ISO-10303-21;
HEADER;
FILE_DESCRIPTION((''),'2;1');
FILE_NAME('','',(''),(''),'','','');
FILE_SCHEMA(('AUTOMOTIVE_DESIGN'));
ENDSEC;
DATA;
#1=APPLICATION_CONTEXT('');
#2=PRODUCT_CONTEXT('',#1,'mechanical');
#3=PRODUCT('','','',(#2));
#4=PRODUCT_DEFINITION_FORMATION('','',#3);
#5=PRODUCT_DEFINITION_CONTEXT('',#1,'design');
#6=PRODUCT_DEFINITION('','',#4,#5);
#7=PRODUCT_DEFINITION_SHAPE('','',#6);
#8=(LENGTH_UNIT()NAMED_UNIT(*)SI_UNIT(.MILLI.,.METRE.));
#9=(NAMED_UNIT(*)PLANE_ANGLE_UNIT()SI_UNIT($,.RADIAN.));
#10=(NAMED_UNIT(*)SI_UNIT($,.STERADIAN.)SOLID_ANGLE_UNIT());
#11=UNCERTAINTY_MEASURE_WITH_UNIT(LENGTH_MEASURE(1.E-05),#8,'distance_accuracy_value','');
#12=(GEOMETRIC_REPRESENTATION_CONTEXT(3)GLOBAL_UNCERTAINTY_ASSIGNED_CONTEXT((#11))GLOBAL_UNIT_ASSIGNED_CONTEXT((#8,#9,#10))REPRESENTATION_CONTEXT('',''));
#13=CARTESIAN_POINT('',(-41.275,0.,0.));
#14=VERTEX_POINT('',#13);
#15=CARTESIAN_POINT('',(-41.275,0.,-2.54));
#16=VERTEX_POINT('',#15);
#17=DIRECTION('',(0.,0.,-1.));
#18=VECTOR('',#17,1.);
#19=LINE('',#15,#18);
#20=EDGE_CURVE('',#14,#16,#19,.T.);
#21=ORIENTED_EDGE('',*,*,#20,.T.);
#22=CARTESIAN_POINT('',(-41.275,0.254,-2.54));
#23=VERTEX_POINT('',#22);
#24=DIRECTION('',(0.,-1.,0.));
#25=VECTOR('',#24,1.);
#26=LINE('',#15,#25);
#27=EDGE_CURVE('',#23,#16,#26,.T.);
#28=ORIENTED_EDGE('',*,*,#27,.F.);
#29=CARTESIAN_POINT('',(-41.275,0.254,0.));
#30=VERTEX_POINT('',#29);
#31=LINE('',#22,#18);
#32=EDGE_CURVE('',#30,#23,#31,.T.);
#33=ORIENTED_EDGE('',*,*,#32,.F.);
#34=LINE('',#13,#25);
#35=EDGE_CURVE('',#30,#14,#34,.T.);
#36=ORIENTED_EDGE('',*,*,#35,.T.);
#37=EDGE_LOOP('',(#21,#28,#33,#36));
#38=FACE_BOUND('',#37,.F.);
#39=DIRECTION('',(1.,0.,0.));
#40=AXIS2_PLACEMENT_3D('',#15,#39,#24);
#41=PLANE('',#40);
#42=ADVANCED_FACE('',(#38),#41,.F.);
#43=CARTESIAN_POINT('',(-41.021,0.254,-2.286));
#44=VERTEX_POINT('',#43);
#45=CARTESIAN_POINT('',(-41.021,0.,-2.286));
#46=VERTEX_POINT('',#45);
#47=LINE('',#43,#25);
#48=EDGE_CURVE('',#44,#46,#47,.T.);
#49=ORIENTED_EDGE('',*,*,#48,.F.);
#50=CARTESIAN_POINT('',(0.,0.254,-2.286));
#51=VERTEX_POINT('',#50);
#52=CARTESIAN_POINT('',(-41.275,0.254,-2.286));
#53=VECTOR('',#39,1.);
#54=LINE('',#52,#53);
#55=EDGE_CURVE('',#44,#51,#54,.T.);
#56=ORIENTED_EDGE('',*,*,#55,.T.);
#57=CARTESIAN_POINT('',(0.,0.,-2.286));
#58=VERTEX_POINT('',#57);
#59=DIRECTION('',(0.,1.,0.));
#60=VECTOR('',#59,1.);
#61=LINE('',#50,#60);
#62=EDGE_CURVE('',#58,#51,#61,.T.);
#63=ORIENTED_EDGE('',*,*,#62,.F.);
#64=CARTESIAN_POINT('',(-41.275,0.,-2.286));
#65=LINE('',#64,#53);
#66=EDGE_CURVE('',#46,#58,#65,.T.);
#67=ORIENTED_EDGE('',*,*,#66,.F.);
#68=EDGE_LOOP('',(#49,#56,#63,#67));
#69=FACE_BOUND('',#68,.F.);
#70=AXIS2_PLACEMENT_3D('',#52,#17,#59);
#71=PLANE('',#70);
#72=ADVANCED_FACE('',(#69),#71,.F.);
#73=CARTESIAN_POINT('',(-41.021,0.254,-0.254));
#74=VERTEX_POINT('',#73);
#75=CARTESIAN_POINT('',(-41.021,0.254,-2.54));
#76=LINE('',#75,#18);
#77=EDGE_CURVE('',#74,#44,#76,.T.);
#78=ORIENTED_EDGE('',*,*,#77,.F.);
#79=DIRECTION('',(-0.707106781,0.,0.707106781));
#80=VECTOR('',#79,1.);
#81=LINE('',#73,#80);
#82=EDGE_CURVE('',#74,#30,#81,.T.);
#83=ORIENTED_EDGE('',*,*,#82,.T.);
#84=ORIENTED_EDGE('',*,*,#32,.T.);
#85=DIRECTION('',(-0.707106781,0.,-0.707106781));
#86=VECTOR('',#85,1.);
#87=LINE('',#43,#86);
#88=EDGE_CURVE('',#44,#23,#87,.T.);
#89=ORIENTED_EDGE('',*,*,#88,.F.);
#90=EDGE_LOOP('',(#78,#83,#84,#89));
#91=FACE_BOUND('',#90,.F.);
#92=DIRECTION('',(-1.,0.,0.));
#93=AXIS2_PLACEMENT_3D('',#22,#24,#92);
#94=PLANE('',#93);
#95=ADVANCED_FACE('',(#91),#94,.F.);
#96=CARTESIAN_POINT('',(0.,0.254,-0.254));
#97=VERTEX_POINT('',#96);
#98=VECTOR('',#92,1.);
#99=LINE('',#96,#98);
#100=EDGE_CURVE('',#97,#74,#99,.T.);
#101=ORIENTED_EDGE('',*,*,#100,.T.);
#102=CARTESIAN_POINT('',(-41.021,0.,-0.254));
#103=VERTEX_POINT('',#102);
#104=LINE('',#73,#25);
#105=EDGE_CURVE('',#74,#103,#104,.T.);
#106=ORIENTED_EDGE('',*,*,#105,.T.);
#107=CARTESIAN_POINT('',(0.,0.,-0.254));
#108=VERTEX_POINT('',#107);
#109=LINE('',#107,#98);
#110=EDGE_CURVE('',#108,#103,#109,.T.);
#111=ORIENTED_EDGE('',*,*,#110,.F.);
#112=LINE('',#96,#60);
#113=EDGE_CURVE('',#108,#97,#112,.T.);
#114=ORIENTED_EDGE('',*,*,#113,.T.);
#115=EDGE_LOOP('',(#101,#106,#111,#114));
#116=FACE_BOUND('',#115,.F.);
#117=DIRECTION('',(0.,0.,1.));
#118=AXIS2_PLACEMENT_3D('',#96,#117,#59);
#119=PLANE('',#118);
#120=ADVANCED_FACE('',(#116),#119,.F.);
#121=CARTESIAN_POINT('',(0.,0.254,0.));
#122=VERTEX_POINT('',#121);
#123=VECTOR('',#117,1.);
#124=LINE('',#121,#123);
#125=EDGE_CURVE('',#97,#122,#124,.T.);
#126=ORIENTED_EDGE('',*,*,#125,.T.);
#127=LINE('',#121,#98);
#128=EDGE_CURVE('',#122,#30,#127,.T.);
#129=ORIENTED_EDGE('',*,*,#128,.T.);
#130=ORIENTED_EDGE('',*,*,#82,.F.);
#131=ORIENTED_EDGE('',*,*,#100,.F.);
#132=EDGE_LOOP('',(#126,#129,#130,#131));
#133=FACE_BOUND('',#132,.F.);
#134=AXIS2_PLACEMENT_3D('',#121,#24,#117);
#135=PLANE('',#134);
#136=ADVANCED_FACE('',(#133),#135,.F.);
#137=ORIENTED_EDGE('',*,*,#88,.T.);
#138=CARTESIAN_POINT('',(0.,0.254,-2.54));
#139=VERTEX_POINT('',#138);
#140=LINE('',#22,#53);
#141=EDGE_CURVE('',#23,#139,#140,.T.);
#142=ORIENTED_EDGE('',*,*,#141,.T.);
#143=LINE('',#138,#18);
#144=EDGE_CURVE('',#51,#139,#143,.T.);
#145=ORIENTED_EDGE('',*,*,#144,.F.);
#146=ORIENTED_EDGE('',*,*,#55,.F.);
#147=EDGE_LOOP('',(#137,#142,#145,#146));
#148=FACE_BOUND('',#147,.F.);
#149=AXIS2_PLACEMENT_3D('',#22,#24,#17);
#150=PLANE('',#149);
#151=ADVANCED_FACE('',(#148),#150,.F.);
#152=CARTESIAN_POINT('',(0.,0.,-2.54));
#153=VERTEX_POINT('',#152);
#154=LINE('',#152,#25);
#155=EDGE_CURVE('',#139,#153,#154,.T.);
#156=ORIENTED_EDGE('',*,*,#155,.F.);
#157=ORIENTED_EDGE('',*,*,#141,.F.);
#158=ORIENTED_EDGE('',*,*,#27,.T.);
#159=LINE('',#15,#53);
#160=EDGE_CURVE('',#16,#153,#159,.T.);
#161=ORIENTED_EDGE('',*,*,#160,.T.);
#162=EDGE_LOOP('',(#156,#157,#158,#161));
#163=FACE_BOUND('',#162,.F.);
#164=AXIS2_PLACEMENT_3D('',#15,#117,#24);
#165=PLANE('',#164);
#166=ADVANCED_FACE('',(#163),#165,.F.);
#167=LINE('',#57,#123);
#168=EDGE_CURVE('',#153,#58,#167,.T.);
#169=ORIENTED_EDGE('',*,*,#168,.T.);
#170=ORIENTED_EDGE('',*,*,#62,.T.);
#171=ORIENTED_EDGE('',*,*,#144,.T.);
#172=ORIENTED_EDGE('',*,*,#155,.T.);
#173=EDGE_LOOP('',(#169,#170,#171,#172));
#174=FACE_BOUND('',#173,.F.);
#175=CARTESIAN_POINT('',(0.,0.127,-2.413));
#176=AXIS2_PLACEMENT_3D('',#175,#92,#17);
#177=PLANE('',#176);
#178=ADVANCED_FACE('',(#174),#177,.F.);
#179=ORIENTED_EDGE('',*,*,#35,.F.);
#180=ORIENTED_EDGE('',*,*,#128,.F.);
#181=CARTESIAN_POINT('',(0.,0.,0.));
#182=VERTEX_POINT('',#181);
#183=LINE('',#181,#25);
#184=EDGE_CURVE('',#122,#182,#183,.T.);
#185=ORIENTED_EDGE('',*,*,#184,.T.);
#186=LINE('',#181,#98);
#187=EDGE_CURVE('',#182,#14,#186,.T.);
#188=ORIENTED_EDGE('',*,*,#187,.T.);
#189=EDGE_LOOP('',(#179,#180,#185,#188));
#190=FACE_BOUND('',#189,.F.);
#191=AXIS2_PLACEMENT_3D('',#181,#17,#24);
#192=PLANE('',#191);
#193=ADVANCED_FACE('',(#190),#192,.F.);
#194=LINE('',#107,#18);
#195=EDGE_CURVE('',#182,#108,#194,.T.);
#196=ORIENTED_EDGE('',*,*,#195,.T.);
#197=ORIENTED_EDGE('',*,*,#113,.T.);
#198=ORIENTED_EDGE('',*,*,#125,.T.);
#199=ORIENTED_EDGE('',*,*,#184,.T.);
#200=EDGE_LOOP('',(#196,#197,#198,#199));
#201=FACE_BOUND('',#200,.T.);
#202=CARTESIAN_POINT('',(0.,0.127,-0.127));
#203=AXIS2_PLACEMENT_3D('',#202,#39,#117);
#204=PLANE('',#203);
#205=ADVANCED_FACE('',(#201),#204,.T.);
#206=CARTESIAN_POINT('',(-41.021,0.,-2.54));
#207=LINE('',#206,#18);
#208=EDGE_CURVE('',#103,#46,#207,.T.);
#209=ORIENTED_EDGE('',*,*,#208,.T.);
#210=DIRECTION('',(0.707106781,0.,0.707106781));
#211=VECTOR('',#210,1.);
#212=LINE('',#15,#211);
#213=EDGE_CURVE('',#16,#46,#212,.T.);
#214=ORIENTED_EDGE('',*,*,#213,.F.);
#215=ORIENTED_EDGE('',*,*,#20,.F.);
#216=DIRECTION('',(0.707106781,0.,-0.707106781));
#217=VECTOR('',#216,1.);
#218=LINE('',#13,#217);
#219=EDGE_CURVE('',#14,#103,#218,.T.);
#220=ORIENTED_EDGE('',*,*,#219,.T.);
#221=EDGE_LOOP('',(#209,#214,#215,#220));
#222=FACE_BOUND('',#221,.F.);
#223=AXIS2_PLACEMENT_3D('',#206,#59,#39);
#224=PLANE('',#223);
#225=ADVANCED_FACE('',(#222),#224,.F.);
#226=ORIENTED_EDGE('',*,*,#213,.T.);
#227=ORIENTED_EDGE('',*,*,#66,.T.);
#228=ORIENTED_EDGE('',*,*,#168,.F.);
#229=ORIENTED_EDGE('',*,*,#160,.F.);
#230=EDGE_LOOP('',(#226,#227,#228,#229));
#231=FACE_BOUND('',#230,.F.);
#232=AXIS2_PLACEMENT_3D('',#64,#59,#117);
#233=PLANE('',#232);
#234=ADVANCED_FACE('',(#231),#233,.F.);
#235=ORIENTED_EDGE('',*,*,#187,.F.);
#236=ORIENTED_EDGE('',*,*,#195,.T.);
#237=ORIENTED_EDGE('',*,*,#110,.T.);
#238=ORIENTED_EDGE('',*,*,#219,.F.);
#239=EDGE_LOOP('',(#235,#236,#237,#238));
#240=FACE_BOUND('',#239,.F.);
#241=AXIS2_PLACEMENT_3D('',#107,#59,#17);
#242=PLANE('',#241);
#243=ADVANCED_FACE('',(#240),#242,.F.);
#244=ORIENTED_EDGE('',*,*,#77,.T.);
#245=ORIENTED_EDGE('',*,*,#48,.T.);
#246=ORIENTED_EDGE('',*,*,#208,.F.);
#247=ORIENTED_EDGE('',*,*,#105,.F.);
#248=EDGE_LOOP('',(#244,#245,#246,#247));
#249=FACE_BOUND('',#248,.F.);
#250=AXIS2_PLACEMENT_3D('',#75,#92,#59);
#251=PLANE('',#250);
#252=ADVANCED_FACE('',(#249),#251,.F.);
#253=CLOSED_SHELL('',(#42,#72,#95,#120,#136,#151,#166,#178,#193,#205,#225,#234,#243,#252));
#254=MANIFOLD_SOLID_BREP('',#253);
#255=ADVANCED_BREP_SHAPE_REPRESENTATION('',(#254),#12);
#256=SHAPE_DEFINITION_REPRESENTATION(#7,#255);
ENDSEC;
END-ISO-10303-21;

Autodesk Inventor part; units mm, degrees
ref_plane "XZ Plane" through (0, 0, 0) normal (0, 1, 0) x (-1, 0, 0)
sketch "Sketch1" plane through (0, 0, 0) normal (0, 1, 0) x (-1, 0, 0)
  line L0 (0, 0) -> (41.275, 0)
  line L1 (41.275, -2.54) -> (0, -2.54)
  line L2 (41.275, -2.54) -> (41.275, 0)
  dimension "d69" = 41.275
  dimension "d70" = 41.275
  dimension "d89" = 2.54
  dimension "d90" = 0
  dimension "d91" = 0
  dimension "d92" = 0
sketch "Sketch2" plane through (0, 0, 0) normal (1, 0, 0) x (0, 1, 0)
  line L0 (0, 0) -> (0.254, 0)
  line L1 (0.254, 0) -> (0.254, -0.254)
  line L2 (0.254, -0.254) -> (0, -0.254)
  line L3 (0, -0.254) -> (0, 0)
  dimension "d98" = 0.254
  dimension "d99" = 0.254
sweep "Sweep1" add profiles "Sketch2" path "Sketch1"
ref_plane "Work Plane1" through (6.35, 0, 0) normal (1, 0, 0) x (0, 1, 0)
ref_plane "Work Plane2" through (0, 0, -6.35) normal (0, 0, 1) x (1, 0, 0)
ref_plane "Work Plane4" through (0, 0, -2.9845) normal (0, 0, 1) x (1, 0, 0)
properties part number "abs_1_loop" material "Silver"
